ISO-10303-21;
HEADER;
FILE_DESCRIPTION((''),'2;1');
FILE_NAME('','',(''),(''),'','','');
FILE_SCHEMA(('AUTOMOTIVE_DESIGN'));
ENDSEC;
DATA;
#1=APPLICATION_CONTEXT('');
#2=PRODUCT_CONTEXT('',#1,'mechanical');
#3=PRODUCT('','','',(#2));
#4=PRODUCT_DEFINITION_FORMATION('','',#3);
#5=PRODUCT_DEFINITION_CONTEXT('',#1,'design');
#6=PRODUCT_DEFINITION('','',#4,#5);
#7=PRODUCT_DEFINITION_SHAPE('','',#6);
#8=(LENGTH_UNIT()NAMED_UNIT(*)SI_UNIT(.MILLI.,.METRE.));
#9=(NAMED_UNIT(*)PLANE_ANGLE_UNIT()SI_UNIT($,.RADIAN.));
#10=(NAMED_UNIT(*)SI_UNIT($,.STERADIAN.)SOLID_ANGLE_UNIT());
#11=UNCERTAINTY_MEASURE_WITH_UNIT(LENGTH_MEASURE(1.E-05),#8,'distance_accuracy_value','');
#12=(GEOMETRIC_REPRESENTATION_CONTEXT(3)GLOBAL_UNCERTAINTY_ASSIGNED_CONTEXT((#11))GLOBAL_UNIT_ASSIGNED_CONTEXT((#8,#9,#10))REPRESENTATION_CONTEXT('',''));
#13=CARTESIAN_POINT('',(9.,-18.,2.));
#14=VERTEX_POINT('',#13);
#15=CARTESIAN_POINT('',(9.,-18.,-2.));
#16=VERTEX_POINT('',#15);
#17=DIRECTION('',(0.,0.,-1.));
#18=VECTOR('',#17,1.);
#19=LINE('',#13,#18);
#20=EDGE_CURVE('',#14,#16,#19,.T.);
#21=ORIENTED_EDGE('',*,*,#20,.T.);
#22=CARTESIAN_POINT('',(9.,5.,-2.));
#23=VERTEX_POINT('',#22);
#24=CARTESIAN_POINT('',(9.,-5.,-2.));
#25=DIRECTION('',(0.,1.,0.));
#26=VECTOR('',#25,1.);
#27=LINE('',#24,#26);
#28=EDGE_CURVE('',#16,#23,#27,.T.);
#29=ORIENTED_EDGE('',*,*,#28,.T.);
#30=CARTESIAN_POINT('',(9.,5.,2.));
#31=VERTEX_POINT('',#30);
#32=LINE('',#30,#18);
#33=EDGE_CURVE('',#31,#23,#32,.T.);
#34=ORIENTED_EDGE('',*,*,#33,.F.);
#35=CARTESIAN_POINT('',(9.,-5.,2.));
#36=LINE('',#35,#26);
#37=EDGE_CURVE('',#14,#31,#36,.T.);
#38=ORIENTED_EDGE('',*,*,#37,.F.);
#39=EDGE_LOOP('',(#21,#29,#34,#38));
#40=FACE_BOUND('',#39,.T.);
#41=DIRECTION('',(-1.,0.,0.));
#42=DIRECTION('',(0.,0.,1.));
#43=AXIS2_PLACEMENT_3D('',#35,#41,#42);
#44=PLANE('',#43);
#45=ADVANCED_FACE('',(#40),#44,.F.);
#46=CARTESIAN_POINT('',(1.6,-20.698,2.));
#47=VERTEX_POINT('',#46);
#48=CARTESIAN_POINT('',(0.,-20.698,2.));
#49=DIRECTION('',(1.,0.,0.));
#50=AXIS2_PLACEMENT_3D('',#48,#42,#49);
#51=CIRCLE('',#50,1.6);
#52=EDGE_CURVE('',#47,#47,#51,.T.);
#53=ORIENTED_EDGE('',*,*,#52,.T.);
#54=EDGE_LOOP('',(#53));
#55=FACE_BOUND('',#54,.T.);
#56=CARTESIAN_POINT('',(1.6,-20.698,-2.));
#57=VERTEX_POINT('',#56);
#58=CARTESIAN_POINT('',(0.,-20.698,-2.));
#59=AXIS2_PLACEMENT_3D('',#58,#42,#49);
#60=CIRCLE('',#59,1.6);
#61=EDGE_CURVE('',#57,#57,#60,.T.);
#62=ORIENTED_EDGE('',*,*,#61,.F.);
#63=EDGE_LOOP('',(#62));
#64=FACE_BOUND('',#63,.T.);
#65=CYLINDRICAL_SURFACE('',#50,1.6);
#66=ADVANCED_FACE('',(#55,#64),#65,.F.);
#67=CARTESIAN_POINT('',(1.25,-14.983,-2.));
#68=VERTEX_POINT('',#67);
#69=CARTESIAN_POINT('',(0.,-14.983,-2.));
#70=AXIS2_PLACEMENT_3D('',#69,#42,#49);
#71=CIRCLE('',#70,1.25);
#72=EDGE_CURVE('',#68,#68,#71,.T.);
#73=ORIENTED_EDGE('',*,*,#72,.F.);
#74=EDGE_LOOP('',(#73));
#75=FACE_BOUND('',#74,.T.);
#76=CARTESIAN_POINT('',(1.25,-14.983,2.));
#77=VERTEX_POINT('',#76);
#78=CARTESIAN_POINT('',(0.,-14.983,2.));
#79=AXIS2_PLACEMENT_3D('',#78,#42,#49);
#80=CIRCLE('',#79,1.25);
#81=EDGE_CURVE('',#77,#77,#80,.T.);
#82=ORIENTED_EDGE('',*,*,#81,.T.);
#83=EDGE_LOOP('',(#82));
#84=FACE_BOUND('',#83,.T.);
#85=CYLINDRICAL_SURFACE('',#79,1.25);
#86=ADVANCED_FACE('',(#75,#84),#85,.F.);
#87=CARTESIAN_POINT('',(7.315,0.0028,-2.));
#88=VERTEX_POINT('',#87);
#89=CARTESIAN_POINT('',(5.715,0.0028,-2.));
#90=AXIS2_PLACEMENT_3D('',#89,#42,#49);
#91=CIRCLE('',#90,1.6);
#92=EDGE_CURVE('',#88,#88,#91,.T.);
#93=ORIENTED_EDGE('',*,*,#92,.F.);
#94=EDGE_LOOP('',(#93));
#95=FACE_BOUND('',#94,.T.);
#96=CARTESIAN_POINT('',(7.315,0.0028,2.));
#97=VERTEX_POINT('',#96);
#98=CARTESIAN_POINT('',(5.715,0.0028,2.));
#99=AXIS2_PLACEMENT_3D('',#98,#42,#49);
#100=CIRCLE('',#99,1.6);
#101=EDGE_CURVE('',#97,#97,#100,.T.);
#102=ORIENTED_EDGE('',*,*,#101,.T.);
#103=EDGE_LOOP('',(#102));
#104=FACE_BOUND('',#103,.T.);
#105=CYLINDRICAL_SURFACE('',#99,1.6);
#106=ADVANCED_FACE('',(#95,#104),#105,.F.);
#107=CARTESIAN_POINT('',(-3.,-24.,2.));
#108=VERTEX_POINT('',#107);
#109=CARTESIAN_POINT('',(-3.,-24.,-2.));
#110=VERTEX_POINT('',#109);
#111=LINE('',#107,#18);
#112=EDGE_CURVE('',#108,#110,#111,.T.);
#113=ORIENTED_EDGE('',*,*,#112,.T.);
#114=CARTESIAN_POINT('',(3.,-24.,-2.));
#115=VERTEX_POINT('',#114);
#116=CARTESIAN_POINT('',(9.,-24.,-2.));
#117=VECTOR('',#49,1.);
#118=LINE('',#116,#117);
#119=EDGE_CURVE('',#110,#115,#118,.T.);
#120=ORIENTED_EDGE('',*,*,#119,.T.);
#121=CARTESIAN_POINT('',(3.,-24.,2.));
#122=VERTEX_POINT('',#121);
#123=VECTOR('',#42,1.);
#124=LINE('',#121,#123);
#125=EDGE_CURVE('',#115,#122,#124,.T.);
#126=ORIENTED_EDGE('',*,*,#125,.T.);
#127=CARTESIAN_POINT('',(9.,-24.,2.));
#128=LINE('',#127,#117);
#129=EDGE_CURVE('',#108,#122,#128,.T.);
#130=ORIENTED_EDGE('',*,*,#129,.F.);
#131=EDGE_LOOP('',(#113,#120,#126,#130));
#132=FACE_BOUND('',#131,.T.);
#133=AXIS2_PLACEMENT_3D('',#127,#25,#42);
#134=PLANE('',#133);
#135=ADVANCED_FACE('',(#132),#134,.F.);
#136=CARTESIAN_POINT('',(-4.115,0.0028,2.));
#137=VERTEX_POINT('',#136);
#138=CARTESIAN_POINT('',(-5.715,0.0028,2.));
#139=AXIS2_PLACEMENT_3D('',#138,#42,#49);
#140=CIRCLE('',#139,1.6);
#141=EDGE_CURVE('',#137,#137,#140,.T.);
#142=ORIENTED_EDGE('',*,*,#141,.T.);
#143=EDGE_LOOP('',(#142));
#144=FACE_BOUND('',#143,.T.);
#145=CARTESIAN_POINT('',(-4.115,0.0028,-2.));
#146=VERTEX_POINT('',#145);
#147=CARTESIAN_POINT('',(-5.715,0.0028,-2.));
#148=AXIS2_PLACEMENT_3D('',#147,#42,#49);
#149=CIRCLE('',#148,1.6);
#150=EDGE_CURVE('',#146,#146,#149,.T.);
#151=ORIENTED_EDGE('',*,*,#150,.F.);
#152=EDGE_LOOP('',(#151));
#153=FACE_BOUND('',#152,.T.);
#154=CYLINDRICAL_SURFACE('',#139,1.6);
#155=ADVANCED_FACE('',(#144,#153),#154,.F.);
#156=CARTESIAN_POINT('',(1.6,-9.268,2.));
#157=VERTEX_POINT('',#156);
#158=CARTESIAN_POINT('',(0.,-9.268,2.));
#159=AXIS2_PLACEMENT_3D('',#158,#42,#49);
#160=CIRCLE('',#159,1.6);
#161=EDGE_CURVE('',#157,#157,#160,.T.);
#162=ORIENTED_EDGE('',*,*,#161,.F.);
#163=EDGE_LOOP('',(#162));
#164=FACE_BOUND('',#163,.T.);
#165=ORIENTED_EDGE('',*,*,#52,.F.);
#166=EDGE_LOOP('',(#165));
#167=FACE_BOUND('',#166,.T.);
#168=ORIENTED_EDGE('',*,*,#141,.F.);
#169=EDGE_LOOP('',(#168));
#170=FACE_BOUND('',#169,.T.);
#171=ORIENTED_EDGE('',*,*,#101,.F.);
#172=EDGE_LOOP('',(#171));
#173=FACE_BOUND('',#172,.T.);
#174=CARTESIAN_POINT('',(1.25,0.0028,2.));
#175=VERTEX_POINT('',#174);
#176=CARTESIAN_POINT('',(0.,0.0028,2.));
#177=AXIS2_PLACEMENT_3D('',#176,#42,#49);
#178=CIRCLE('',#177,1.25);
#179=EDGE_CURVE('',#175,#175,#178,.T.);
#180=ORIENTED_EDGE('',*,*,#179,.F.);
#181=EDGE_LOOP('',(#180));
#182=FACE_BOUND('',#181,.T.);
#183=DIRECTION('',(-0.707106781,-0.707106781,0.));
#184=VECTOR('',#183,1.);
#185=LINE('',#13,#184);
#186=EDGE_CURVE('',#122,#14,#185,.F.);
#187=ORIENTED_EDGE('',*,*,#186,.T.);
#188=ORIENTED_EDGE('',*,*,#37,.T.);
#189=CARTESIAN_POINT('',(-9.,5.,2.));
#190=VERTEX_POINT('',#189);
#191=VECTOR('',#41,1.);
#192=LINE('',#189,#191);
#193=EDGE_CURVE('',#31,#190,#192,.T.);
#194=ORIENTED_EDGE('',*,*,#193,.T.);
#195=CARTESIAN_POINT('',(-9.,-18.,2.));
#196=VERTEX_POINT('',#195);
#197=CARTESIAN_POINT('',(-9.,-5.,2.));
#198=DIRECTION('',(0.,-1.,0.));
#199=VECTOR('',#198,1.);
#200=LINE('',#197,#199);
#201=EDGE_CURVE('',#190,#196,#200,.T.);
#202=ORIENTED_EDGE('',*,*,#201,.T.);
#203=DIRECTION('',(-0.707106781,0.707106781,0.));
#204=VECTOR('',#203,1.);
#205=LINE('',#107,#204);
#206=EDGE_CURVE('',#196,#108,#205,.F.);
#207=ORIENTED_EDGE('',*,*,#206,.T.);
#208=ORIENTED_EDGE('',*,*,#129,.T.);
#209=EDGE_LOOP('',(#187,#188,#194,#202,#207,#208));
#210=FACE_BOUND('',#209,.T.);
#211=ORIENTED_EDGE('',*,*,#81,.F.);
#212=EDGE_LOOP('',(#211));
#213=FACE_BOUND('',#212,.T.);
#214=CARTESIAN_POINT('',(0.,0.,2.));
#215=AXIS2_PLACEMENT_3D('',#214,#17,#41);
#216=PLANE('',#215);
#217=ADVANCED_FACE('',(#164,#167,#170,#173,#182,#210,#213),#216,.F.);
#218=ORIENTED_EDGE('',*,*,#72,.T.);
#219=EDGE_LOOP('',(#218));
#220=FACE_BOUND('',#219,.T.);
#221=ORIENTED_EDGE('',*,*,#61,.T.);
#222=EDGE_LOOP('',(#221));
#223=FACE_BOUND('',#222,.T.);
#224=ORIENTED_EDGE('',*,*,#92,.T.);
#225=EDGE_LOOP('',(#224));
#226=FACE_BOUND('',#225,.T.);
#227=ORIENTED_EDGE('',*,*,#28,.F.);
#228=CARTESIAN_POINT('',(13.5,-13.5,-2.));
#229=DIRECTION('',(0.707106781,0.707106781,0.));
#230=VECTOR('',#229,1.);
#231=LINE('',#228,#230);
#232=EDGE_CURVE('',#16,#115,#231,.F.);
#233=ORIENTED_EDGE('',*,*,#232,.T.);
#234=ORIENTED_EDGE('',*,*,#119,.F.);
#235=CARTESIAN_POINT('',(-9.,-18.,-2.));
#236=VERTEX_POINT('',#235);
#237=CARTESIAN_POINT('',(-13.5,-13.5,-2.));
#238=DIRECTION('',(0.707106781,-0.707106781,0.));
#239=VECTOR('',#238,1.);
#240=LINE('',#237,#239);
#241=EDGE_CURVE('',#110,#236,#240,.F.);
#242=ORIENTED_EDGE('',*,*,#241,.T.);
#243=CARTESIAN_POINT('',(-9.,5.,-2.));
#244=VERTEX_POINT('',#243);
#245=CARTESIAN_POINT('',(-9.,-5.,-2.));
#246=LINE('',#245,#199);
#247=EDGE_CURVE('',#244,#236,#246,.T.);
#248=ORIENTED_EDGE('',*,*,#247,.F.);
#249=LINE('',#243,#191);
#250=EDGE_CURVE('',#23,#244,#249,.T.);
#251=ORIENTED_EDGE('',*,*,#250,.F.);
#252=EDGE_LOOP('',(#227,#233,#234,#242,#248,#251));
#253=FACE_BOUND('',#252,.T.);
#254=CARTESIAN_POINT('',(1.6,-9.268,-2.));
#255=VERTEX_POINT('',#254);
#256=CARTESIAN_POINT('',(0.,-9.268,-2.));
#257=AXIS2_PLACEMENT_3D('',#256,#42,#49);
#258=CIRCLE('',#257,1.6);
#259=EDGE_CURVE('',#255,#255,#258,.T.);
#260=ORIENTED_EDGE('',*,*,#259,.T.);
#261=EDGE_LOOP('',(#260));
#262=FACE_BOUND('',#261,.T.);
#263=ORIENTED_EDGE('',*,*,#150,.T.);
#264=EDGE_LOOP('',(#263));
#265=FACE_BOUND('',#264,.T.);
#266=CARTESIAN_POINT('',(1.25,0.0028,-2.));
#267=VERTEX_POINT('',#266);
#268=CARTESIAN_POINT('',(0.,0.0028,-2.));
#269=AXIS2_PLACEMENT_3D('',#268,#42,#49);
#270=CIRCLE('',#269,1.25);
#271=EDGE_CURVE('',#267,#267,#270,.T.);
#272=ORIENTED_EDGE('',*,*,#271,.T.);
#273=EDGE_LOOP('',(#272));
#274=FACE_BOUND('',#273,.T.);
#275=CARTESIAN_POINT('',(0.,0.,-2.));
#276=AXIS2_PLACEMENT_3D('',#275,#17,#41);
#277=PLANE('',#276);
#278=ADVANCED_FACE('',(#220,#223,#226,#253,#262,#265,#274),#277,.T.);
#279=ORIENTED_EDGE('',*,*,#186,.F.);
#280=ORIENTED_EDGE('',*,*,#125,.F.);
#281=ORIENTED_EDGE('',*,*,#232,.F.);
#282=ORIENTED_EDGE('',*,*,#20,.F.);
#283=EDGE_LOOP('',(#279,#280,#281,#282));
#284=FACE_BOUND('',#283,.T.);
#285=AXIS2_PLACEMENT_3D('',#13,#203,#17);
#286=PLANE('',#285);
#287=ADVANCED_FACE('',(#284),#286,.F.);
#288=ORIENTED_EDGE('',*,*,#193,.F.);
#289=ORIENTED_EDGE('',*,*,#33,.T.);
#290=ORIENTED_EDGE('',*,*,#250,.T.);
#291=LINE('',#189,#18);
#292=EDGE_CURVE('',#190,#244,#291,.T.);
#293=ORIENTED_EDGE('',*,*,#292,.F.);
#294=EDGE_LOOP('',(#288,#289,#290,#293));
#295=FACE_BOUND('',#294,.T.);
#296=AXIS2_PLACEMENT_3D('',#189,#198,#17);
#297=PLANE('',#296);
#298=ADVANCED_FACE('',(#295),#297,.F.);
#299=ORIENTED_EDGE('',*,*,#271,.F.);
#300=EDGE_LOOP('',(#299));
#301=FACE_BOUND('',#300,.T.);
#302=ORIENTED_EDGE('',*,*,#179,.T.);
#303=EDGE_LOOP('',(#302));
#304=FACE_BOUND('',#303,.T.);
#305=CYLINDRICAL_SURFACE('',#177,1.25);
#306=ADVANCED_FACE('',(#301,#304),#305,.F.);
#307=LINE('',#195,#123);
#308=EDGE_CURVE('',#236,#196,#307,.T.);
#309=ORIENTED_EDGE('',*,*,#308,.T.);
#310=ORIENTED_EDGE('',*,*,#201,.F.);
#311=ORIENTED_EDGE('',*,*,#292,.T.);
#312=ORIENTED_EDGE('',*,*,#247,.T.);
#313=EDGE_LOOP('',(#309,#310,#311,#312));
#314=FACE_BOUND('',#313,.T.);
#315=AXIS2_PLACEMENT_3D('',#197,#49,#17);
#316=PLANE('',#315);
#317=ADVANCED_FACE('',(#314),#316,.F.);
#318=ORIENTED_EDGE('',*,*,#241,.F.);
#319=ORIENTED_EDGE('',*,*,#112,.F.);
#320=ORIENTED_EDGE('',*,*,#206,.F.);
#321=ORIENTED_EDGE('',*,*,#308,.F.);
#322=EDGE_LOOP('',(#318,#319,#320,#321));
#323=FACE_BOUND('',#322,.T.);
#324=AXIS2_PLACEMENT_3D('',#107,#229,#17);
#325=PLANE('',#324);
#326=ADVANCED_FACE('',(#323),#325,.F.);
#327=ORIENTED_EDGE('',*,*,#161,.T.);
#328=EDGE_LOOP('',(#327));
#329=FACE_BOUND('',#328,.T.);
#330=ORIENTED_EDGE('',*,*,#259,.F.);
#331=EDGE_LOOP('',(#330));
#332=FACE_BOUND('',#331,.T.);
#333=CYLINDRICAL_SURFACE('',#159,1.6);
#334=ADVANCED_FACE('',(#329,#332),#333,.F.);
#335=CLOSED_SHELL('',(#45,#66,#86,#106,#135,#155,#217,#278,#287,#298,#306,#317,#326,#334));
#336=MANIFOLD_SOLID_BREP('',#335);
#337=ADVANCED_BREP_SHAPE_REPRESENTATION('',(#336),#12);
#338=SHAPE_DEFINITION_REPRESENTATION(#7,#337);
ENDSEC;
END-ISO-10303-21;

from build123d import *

# Parameters (mm, degrees)
SKETCH1_W            = 18
SKETCH1_H            = 10
BOSS_EXTRUDE1_DEPTH  = 2
SKETCH2_W            = 18
SKETCH2_H            = 19
BOSS_EXTRUDE2_DEPTH  = 2
M3_CLEARANCE_HOLE1_D = 3.2
CHAMFER1_SIZE        = 6
M3_TAPPED_HOLE1_D    = 2.5


with BuildPart() as part:
    # Sketch1 → Boss-Extrude1 (new, symmetric)
    with BuildSketch(Plane.XY):
        Rectangle(SKETCH1_W, SKETCH1_H)
    extrude(amount=BOSS_EXTRUDE1_DEPTH, both=True)

    # Sketch2 → Boss-Extrude2 (add, symmetric)
    with BuildSketch(Plane.XY):
        with Locations((0, -14.5)):
            Rectangle(SKETCH2_W, SKETCH2_H)
    extrude(amount=BOSS_EXTRUDE2_DEPTH, both=True)

    # M3 Clearance Hole1 (through all)
    with Locations(Plane(origin=(0, 0, 2), x_dir=(-1, 0, 0), z_dir=(0, 0, 1))):
        with Locations((0, 9.268), (0, 20.698), (-5.715, -0.0028), (5.715, -0.0028)):
            Hole(M3_CLEARANCE_HOLE1_D / 2)

    # Chamfer1
    chamfer1_edges = [part.edges().sort_by_distance(p)[0] for p in [
        (-9, -24, 0),
        (9, -24, 0),
    ]]
    chamfer(chamfer1_edges, length=CHAMFER1_SIZE)

    # M3 Tapped Hole1 (through all)
    with Locations(Plane.XY.offset(2)):
        with Locations((0, -14.983), (0, 0.0028)):
            Hole(M3_TAPPED_HOLE1_D / 2)


solid = part.part
